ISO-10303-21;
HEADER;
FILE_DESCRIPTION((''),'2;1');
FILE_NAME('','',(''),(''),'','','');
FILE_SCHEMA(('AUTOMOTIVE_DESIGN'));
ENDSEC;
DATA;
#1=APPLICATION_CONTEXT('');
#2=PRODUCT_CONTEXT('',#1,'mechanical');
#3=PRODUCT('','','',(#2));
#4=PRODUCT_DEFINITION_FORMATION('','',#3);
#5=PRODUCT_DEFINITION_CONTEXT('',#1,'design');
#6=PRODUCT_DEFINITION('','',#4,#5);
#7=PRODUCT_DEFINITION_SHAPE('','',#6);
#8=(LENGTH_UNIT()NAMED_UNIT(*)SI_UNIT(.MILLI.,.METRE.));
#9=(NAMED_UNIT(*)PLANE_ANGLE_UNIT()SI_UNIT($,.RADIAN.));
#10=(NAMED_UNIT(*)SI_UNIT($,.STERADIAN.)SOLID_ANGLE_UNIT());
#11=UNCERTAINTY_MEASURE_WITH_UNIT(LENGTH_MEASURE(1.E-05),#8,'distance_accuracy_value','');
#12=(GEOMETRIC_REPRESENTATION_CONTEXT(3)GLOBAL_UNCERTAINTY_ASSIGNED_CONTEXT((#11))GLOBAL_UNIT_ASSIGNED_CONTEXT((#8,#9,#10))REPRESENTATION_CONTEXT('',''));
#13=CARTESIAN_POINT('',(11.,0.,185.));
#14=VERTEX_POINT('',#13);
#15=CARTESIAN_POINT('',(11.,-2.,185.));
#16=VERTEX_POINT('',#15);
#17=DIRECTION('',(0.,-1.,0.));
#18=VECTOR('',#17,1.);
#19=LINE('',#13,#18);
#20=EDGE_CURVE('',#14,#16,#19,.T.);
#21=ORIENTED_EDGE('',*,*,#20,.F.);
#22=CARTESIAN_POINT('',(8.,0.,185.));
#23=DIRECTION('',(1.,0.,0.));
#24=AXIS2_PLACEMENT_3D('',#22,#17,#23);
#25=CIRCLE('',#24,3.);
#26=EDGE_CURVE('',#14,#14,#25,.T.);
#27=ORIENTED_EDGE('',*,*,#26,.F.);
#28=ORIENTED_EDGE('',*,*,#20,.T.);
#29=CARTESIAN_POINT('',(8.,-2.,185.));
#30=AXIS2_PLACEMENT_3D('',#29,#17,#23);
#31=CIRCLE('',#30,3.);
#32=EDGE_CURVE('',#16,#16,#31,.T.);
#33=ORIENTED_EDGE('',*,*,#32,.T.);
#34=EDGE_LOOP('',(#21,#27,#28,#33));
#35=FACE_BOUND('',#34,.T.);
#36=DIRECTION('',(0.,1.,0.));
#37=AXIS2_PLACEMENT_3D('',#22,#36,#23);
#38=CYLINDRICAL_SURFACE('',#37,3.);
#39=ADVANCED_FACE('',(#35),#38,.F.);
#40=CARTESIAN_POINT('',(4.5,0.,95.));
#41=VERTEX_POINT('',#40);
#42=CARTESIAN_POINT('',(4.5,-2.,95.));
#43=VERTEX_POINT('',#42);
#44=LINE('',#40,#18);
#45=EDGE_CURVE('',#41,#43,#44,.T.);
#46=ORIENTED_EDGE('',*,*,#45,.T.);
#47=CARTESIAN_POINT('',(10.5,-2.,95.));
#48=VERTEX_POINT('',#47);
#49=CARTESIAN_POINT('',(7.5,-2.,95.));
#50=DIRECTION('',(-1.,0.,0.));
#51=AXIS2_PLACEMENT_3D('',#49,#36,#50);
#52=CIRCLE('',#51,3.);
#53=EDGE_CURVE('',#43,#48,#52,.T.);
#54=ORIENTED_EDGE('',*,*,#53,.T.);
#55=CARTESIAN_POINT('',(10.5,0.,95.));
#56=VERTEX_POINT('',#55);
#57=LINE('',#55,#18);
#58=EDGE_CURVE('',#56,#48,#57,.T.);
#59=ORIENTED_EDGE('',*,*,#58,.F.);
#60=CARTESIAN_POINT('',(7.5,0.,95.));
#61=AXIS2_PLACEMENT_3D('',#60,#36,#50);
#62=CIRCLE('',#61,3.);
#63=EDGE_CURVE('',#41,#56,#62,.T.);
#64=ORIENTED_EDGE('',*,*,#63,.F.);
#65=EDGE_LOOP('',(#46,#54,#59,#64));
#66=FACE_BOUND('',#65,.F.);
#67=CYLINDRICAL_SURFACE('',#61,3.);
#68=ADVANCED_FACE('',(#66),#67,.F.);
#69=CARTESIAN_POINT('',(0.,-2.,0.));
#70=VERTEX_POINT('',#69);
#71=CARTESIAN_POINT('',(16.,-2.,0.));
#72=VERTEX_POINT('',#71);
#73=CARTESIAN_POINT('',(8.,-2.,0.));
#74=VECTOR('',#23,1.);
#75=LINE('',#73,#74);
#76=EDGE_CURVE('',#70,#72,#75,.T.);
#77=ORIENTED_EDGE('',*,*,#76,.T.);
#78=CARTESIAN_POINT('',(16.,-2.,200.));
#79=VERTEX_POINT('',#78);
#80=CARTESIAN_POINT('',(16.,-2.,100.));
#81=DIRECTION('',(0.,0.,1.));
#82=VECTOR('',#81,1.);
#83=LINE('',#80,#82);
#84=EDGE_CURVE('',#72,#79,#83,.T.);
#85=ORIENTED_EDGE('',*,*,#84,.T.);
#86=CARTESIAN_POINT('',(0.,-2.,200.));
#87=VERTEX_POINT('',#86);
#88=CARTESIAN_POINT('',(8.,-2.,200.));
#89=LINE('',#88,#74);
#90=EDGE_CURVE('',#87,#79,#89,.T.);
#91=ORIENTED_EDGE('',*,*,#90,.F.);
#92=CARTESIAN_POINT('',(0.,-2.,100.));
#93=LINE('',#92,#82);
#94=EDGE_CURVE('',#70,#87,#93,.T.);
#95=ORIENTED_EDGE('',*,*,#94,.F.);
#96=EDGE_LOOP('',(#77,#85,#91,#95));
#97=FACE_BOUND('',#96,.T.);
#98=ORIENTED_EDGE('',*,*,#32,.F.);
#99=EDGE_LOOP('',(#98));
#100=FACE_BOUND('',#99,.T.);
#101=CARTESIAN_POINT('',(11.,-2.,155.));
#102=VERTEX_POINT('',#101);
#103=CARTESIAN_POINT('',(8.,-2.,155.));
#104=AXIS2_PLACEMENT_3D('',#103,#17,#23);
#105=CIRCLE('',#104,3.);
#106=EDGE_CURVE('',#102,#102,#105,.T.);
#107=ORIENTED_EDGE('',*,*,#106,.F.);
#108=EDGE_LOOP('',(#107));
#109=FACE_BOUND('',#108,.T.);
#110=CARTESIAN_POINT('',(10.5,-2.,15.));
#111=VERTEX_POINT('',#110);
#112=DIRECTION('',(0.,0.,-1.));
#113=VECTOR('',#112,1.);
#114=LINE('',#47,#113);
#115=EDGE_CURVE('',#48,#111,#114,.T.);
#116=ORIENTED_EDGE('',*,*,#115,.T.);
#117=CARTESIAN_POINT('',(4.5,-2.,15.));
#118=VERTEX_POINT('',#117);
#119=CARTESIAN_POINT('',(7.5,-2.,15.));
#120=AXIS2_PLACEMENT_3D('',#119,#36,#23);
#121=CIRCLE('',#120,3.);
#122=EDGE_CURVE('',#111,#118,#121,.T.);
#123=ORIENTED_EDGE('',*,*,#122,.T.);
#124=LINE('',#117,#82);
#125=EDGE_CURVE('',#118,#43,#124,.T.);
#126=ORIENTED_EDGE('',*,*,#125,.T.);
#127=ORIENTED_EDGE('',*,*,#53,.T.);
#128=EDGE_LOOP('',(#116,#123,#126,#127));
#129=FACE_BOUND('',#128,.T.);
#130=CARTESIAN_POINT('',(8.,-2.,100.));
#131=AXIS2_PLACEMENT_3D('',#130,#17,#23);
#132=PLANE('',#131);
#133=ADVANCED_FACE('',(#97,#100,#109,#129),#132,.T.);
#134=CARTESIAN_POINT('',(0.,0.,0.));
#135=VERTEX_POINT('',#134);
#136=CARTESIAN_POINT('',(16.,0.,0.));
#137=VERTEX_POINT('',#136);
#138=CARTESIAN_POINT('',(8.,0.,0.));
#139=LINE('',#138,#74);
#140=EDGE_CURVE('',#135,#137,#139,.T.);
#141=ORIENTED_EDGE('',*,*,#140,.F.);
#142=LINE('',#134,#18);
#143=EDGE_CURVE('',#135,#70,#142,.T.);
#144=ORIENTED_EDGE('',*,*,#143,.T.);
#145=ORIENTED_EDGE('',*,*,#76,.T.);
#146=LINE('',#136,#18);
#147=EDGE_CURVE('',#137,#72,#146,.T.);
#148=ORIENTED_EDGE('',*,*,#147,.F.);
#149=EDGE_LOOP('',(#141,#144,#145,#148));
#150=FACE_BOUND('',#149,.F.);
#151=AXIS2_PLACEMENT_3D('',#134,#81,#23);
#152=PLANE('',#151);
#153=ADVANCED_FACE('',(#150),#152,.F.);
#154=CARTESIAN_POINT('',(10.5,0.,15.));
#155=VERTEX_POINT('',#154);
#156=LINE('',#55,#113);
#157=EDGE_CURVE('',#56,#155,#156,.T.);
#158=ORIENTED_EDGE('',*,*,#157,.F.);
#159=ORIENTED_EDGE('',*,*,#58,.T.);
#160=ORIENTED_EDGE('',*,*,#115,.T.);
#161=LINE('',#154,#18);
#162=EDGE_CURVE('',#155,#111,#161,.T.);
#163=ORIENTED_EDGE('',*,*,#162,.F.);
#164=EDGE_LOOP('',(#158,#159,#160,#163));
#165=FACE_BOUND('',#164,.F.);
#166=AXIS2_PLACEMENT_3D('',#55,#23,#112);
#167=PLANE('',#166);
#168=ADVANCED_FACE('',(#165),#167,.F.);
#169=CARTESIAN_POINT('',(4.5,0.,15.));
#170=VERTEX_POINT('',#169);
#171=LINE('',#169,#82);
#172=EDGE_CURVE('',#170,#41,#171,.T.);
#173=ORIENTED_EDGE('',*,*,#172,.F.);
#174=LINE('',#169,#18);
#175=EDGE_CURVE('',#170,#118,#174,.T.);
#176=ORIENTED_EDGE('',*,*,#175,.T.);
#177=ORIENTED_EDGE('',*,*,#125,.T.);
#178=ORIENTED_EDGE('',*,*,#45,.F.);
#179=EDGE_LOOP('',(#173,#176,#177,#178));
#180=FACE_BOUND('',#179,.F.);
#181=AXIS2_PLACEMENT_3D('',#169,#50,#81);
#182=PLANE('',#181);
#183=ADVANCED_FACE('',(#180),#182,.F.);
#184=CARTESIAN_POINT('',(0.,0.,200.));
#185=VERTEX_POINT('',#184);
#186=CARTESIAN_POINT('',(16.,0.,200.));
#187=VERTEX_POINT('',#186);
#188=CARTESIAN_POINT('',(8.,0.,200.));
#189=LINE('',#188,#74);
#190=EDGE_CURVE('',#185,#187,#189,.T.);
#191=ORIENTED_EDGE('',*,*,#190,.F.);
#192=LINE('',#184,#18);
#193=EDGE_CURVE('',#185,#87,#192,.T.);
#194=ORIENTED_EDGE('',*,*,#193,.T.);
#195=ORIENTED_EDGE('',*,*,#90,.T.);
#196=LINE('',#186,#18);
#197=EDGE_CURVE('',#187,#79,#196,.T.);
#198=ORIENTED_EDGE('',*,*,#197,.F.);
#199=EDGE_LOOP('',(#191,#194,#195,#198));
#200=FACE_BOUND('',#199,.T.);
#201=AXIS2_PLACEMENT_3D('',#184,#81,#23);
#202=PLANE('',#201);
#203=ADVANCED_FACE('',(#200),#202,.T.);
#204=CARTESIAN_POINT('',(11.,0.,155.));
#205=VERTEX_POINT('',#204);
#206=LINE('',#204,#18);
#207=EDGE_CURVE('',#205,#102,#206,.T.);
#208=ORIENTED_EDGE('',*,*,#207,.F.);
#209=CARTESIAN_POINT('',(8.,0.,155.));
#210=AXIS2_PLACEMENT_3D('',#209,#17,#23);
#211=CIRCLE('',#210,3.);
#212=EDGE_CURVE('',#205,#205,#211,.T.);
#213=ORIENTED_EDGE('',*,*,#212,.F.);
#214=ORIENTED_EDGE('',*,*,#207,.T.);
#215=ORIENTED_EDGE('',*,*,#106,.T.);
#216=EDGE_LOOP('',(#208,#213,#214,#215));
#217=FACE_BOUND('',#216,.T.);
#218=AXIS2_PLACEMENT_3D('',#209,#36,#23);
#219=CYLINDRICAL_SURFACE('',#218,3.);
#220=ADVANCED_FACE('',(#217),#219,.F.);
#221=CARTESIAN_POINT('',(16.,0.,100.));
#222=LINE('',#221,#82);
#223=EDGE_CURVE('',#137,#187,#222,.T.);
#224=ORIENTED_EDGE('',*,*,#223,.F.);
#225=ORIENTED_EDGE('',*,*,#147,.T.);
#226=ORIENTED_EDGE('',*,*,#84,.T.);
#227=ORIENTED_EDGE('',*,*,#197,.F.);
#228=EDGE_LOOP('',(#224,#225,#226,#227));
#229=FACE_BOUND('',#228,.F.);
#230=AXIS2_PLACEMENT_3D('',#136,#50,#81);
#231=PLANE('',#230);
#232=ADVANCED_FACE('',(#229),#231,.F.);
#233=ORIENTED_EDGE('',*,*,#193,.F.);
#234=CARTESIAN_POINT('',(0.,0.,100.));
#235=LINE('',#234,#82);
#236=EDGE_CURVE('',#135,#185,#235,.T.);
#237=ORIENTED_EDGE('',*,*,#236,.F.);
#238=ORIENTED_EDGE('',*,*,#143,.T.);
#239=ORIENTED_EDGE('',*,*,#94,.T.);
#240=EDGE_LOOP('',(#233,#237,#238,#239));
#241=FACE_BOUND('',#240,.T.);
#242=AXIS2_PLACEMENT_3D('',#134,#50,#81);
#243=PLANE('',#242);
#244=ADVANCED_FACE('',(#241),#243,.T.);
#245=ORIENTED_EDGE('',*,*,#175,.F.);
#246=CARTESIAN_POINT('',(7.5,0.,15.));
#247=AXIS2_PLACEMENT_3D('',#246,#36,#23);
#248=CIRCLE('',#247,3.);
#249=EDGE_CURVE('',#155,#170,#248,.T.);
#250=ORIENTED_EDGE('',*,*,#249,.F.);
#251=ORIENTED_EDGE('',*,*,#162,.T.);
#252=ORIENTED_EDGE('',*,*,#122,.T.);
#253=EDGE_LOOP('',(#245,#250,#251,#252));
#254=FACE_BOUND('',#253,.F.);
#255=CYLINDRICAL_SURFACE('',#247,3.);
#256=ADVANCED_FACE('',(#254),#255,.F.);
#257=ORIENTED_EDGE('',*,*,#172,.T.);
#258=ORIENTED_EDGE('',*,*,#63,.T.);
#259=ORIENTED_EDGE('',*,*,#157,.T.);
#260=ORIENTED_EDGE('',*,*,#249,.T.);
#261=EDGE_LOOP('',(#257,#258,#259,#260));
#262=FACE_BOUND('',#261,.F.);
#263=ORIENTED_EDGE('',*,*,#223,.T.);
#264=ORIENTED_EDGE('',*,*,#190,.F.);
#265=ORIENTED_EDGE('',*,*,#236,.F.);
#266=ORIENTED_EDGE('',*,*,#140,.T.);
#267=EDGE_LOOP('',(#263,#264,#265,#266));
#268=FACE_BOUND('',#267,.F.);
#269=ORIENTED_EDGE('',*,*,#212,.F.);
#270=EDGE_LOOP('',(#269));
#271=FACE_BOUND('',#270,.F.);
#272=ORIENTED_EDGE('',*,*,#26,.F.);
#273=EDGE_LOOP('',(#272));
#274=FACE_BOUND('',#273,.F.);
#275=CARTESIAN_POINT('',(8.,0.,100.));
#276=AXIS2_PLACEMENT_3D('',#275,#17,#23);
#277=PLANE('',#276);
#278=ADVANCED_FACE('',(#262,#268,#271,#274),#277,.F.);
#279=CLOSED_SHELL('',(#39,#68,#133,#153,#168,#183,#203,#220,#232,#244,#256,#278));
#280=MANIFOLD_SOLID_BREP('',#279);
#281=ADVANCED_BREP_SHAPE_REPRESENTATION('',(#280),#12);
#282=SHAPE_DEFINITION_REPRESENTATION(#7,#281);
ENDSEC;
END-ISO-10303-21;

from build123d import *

# Parameters (mm, degrees)
F0_W     = 16
F0_H     = 200
F0_R     = 3
F1_DEPTH = 2


with BuildPart() as f1:
    # F0 (on Front) → F1 (new body)
    with BuildSketch(Plane.XZ):
        with Locations((8, 100)):
            Rectangle(F0_W, F0_H)
        with BuildLine():
            Line((4.5, 15), (4.5, 95))
            ThreePointArc((4.5, 95), (7.5, 98), (10.5, 95))
            Line((10.5, 95), (10.5, 15))
            ThreePointArc((10.5, 15), (7.5, 12), (4.5, 15))
        make_face(mode=Mode.SUBTRACT)
        with Locations((8, 155)):
            Circle(F0_R, mode=Mode.SUBTRACT)
        with Locations((8, 185)):
            Circle(F0_R, mode=Mode.SUBTRACT)
    extrude(amount=F1_DEPTH)


solid = f1.part
